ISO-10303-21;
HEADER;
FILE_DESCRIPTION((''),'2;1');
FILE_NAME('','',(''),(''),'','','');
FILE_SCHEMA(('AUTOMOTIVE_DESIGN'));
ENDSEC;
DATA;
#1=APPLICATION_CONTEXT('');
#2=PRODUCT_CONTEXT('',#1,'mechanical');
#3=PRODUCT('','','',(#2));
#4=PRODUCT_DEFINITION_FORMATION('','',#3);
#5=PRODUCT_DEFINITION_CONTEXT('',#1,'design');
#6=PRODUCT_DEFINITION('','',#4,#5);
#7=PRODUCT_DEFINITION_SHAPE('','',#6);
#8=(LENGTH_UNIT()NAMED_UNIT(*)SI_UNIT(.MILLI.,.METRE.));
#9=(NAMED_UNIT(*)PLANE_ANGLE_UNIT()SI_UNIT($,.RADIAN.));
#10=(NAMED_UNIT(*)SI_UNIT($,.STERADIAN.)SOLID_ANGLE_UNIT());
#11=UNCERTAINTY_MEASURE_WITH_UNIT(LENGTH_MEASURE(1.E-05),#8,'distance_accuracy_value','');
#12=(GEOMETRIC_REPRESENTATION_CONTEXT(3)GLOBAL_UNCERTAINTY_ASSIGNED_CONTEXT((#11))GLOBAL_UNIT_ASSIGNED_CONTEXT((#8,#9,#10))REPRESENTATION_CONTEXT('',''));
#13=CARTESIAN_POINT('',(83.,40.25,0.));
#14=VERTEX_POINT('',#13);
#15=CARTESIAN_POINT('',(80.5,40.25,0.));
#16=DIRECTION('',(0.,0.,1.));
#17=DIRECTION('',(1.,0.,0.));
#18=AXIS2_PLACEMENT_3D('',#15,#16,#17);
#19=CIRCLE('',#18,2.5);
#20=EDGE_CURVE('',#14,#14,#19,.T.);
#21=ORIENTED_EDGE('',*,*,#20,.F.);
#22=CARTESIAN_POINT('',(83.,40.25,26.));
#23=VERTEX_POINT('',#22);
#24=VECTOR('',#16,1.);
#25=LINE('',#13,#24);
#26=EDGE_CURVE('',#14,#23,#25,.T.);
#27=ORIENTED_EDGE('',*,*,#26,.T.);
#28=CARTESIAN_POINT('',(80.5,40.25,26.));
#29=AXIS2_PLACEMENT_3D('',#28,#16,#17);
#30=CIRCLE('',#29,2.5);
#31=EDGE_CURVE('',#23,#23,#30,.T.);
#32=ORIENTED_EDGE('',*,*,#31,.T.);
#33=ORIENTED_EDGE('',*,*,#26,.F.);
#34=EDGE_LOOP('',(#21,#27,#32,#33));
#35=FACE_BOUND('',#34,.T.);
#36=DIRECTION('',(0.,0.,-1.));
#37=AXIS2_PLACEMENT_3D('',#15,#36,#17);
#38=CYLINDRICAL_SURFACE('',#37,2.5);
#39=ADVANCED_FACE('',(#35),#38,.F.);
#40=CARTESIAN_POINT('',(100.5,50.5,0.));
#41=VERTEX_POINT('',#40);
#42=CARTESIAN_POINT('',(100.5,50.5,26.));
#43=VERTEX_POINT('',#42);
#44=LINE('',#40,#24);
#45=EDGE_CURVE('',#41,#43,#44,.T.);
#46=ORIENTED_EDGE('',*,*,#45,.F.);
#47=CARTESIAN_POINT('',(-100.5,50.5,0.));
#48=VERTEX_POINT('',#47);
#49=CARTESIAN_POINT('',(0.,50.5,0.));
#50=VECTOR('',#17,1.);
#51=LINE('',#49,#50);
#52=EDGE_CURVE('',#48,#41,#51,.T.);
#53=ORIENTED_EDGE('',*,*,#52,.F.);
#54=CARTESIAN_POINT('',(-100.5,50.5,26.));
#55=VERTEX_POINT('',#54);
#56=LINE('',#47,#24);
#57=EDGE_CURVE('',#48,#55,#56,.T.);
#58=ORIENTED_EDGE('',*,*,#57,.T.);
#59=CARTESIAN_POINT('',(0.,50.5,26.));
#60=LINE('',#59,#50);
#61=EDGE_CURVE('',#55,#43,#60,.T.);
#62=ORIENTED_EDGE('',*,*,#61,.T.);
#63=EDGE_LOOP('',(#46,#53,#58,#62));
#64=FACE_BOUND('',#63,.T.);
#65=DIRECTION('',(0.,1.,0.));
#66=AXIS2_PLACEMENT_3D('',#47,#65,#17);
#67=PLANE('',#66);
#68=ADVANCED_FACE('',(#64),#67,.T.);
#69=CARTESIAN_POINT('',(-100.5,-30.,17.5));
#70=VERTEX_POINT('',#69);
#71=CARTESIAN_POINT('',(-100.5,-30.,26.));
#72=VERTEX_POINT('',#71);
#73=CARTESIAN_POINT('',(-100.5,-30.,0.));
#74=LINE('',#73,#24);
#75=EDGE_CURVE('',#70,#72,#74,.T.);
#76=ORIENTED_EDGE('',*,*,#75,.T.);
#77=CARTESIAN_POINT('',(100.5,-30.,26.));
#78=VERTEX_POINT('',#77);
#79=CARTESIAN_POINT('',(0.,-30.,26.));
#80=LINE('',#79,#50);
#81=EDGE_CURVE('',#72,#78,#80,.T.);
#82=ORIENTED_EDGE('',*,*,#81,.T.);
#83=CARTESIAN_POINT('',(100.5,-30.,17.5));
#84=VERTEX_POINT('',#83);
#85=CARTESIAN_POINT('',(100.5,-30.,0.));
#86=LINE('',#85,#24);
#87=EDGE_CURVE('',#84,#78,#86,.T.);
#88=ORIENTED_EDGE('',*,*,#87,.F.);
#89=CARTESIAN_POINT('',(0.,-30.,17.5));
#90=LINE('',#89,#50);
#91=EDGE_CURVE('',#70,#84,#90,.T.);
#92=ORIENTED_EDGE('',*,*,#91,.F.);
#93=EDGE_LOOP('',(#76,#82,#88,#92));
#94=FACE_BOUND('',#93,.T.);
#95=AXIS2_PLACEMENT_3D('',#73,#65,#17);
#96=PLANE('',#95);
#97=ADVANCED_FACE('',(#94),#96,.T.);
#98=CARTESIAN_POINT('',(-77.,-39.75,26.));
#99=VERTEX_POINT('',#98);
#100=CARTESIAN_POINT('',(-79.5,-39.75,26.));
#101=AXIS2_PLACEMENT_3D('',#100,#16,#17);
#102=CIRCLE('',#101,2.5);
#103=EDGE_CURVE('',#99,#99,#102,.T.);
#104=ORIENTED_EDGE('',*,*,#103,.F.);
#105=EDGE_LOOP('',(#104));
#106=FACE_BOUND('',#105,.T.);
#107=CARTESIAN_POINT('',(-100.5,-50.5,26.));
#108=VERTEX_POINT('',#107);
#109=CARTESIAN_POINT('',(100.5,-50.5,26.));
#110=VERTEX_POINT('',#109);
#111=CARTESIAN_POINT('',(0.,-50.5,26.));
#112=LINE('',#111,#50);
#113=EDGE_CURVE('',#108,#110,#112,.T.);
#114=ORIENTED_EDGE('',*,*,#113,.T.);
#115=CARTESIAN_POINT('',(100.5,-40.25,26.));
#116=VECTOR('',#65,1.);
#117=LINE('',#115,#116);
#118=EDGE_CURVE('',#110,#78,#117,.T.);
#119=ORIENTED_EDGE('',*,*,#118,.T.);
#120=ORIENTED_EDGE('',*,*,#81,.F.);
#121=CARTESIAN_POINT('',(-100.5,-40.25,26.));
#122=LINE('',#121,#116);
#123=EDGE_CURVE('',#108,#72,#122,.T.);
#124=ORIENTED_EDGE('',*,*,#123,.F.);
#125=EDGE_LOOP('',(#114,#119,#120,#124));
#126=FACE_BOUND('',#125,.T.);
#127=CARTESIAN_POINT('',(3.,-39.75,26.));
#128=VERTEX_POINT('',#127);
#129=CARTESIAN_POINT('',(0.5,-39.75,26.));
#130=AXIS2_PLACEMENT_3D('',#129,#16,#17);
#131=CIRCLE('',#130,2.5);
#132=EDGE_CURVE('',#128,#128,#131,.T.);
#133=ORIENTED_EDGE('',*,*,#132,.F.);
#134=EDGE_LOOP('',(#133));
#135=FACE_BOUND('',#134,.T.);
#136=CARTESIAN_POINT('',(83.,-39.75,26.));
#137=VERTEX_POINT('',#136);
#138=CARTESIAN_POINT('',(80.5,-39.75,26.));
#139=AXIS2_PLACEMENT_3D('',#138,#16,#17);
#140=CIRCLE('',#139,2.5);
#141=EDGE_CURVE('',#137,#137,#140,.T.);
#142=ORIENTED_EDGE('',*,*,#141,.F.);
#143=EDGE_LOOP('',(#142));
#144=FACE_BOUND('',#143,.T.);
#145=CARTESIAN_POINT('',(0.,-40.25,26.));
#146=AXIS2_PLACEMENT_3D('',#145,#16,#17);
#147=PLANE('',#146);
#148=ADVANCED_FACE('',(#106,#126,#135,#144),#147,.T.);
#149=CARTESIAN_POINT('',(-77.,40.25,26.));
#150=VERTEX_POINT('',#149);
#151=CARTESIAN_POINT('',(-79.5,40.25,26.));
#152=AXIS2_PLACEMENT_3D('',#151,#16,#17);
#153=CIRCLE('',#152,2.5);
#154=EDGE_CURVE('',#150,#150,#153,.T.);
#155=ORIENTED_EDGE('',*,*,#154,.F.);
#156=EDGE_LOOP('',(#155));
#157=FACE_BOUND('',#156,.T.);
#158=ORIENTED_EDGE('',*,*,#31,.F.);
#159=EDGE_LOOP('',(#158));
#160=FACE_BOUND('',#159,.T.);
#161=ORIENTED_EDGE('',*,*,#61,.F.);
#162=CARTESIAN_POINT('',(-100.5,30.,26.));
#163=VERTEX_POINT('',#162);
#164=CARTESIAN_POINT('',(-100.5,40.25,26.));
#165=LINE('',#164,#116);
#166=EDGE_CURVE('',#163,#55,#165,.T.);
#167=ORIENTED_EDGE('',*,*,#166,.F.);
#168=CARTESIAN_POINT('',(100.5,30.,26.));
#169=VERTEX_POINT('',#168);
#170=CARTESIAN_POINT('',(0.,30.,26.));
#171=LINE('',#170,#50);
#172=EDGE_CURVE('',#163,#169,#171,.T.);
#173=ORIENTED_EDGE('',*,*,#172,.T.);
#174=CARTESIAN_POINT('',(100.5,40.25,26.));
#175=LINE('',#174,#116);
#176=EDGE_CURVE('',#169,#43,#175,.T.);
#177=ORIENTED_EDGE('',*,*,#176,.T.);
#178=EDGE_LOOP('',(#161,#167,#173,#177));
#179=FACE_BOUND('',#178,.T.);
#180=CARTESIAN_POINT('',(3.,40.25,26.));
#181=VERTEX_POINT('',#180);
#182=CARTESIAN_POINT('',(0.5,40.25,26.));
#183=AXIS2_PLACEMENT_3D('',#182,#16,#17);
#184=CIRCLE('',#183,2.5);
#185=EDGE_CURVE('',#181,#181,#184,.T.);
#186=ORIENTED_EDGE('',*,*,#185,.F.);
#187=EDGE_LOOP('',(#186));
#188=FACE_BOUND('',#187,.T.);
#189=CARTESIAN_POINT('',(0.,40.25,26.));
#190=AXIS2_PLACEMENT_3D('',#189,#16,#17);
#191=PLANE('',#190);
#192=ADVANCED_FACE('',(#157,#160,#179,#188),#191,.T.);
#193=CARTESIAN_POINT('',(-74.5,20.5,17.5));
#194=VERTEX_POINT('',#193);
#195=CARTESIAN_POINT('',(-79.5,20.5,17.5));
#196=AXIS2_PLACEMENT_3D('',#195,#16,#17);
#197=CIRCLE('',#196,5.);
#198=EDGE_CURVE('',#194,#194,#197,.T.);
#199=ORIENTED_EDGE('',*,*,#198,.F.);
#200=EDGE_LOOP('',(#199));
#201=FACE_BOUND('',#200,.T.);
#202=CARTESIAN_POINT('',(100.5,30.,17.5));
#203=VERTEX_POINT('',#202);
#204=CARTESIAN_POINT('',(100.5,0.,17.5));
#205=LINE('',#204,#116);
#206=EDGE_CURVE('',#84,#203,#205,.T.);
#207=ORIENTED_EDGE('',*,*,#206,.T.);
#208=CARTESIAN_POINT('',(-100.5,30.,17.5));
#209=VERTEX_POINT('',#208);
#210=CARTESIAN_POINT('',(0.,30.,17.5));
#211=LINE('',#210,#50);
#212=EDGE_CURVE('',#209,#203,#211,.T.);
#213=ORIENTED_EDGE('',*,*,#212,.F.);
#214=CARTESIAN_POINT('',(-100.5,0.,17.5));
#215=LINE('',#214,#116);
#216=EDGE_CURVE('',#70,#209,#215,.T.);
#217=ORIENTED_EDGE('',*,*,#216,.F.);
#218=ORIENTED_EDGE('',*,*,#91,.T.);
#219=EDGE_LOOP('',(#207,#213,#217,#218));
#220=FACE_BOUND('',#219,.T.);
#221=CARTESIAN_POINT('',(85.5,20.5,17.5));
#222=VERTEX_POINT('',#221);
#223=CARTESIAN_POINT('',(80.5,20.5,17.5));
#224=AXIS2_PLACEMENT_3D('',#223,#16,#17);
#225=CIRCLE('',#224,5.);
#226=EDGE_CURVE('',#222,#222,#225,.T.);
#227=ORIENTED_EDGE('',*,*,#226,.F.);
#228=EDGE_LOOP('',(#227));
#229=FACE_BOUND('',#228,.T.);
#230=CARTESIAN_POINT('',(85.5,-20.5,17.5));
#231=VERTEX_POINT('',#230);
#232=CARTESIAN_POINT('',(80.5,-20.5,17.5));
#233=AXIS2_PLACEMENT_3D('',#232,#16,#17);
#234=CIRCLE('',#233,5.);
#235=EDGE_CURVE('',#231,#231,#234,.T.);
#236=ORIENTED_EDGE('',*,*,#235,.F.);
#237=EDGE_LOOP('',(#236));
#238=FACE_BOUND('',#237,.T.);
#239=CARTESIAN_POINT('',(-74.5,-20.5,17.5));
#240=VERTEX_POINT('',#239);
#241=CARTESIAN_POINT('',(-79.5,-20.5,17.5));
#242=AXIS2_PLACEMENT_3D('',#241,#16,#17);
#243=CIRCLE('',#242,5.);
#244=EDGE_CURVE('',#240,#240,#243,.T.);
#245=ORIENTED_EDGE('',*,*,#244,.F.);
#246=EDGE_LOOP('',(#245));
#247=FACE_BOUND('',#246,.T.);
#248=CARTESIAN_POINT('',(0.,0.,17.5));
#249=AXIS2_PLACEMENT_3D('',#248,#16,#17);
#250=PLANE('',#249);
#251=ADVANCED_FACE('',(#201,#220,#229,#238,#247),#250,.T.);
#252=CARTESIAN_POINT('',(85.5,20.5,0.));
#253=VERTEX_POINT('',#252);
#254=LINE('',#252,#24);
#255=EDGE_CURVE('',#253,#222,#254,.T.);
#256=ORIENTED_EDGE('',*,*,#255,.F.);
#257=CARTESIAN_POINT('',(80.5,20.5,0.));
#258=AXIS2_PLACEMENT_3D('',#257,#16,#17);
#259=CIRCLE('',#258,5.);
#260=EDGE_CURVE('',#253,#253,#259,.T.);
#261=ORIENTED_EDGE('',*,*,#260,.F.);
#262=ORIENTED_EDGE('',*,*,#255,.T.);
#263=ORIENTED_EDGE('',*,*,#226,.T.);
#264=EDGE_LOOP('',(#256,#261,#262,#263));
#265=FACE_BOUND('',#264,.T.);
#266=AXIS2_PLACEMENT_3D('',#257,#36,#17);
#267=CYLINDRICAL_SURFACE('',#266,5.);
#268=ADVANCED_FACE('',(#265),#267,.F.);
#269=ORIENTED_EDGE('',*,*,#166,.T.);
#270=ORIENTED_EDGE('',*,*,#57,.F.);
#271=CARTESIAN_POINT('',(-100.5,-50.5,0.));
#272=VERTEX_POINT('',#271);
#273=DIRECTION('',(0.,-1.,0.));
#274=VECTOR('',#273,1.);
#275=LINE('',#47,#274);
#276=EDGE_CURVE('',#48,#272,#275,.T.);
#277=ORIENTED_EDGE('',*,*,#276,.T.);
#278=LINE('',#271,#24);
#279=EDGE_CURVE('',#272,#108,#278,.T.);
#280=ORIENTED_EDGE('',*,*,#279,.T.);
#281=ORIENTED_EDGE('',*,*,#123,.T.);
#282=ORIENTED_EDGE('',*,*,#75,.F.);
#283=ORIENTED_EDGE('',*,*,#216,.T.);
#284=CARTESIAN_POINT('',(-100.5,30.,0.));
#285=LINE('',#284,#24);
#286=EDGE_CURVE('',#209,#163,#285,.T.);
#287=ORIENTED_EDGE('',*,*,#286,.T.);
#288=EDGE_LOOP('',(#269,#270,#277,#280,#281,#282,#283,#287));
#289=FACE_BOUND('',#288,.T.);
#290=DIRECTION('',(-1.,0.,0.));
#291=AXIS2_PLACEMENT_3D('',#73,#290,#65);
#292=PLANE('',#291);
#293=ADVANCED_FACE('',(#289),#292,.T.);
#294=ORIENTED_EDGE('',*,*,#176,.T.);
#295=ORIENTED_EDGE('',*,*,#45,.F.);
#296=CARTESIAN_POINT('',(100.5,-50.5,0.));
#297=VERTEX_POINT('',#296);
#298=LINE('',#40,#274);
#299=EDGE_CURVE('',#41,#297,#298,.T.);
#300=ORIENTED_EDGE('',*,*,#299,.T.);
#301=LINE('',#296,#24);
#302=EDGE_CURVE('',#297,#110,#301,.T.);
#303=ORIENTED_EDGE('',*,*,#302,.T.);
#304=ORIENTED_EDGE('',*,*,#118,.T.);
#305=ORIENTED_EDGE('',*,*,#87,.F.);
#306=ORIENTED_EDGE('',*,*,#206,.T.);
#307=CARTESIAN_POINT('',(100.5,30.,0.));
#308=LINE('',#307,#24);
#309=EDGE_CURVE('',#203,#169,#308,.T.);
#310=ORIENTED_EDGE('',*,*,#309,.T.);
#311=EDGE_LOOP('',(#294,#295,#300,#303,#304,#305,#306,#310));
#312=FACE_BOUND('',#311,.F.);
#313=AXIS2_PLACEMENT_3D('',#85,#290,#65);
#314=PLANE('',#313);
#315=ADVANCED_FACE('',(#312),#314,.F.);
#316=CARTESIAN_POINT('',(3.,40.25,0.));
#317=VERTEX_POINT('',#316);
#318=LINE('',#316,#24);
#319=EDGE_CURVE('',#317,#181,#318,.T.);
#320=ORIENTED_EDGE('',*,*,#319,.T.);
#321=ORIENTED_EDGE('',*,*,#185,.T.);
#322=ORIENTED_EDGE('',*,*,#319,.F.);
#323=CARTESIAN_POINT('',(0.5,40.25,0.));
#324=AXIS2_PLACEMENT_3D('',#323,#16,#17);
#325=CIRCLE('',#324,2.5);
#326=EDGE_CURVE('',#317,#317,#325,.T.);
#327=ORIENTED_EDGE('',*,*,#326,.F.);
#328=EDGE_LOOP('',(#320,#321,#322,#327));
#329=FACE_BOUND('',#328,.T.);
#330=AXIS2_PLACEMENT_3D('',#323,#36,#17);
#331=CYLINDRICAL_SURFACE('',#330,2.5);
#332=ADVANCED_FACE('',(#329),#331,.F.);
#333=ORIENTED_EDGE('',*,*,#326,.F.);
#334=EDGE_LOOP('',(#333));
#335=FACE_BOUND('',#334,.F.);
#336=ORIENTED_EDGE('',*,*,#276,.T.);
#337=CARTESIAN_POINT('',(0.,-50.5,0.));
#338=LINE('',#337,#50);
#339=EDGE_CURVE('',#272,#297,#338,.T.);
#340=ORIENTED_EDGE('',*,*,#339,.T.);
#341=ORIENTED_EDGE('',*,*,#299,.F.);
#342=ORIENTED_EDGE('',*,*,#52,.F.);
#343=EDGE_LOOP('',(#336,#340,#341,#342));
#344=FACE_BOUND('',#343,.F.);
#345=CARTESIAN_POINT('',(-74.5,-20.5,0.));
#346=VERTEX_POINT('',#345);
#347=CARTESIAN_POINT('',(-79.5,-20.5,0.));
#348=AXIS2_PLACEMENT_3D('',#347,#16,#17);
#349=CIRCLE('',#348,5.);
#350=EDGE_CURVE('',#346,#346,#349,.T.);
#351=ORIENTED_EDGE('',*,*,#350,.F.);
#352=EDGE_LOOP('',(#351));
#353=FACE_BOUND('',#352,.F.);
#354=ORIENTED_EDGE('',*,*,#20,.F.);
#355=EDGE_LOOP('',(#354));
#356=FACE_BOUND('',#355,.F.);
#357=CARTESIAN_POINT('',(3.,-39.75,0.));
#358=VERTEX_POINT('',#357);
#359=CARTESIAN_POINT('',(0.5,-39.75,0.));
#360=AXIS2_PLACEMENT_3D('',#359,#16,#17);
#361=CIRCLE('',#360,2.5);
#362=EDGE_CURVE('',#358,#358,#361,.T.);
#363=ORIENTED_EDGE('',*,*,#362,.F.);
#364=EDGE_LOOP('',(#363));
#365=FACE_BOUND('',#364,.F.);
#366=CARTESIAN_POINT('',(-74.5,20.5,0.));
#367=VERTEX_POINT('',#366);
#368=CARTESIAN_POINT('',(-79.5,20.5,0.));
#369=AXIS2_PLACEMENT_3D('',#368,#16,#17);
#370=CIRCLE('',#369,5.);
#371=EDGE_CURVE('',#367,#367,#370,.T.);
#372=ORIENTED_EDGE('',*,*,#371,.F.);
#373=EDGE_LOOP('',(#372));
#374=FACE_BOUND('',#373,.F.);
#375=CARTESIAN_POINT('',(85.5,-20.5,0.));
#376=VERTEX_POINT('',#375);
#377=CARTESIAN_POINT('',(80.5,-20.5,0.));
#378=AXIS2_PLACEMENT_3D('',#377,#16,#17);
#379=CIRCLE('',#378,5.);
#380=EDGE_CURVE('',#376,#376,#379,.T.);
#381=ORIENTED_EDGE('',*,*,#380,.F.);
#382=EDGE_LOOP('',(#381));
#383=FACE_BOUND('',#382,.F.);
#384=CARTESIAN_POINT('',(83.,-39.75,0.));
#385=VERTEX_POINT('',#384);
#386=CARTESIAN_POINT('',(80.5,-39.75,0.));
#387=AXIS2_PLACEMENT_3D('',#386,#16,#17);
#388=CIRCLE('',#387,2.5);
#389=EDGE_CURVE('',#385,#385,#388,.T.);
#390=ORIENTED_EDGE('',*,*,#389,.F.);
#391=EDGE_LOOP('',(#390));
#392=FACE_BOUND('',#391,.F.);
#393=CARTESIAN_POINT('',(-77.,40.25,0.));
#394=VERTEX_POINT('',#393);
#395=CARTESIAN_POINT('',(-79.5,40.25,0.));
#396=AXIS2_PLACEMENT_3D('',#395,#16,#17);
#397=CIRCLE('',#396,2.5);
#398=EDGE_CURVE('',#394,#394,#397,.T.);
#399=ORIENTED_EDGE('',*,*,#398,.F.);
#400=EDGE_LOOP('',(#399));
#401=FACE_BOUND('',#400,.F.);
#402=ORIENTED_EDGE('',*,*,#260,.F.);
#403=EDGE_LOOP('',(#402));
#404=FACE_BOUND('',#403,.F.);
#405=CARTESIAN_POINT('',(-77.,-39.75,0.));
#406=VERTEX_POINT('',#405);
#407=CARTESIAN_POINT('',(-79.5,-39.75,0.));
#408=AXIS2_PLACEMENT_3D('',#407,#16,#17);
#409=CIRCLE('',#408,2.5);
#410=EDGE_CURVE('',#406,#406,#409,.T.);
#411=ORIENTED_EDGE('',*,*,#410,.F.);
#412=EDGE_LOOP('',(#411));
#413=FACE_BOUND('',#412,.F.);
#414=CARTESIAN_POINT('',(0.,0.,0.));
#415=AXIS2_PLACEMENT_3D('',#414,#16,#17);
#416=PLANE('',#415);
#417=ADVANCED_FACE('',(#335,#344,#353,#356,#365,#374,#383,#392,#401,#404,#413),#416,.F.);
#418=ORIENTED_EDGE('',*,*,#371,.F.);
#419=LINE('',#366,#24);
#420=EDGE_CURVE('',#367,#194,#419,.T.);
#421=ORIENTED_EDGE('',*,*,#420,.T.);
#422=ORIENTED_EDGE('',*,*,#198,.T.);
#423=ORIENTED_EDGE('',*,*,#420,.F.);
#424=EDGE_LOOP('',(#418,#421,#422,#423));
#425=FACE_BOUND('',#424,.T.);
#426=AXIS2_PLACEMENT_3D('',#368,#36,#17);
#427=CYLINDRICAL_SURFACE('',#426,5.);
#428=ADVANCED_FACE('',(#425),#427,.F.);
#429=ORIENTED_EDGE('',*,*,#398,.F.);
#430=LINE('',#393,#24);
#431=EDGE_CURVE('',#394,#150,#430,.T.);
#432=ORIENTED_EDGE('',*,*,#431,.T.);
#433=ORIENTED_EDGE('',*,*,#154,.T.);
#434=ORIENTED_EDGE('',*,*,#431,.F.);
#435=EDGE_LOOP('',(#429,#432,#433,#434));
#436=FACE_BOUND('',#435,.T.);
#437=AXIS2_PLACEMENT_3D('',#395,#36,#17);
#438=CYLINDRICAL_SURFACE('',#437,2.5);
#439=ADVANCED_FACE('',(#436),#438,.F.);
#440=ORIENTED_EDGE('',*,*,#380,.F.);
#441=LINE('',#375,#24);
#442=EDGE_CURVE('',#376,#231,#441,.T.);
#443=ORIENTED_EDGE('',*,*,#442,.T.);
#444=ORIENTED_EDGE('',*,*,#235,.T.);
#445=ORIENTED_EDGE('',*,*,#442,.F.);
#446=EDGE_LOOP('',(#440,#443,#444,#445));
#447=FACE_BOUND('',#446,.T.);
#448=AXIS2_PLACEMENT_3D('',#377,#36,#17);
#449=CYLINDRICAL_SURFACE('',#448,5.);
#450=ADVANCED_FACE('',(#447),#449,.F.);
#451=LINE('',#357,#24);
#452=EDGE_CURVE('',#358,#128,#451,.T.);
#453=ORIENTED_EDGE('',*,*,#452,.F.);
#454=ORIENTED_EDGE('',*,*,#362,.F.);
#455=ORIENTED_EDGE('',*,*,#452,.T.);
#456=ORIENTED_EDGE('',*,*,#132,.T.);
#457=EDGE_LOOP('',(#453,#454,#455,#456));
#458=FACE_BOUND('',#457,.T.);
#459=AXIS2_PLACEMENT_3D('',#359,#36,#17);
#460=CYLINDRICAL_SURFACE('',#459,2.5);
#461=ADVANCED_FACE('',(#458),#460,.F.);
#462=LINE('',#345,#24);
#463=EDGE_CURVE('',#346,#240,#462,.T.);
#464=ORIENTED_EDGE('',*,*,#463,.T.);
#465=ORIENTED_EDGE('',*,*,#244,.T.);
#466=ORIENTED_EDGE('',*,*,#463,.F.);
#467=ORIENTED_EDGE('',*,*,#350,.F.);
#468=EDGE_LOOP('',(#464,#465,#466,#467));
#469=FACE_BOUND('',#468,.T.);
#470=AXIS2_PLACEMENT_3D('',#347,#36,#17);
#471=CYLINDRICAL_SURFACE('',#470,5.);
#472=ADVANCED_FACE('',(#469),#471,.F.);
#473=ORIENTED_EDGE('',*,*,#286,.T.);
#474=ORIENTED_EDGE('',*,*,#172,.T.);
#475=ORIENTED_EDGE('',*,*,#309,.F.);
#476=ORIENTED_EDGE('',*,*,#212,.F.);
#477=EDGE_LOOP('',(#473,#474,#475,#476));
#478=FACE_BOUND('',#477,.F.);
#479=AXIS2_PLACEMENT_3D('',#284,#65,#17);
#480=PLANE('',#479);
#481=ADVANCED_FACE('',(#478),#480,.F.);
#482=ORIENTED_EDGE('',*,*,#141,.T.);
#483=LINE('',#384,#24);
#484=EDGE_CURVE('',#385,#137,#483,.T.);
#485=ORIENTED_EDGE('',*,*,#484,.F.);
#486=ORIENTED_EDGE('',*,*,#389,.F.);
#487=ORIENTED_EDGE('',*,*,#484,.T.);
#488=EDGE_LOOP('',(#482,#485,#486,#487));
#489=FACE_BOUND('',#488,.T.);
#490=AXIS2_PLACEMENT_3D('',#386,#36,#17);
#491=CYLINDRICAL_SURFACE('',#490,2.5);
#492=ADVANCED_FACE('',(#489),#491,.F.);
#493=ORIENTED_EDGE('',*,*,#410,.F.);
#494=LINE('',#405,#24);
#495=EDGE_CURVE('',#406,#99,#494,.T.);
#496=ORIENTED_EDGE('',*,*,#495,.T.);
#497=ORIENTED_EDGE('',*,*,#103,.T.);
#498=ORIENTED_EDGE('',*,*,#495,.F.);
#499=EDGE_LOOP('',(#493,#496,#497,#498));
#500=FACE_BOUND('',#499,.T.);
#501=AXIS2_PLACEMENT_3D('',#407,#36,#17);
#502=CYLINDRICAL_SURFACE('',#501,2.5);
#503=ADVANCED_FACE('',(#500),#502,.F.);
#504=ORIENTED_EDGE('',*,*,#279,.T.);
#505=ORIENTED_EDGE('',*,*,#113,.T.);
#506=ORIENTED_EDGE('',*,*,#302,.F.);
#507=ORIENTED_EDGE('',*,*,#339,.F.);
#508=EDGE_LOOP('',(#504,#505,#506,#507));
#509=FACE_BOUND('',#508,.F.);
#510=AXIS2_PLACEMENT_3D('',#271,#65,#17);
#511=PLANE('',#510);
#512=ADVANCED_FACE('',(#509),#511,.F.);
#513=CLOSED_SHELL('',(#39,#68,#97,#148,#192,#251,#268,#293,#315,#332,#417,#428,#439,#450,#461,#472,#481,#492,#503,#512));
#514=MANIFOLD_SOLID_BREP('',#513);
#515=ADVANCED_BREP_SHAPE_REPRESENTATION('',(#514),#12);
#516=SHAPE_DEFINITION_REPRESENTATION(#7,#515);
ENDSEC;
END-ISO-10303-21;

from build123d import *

# Parameters (mm, degrees)
F0_W     = 201
F0_H     = 20.5
F0_R     = 2.5
F1_DEPTH = 26
F0_H_2   = 60
F0_R_2   = 5
F2_DEPTH = 17.5


with BuildPart() as f1:
    # F0 (on Top) → F1 (new body)
    with BuildSketch(Plane.XY):
        with Locations((0, 40.25)):
            Rectangle(F0_W, F0_H)
        with Locations((-79.5, 40.25)):
            Circle(F0_R, mode=Mode.SUBTRACT)
        with Locations((0.5, 40.25)):
            Circle(F0_R, mode=Mode.SUBTRACT)
        with Locations((80.5, 40.25)):
            Circle(F0_R, mode=Mode.SUBTRACT)
        with Locations((0, -40.25)):
            Rectangle(F0_W, F0_H)
        with Locations((-79.5, -39.75)):
            Circle(F0_R, mode=Mode.SUBTRACT)
        with Locations((0.5, -39.75)):
            Circle(F0_R, mode=Mode.SUBTRACT)
        with Locations((80.5, -39.75)):
            Circle(F0_R, mode=Mode.SUBTRACT)
    extrude(amount=F1_DEPTH)

    # F0 (on Top) → F2 (join)
    with BuildSketch(Plane.XY):
        Rectangle(F0_W, F0_H_2)
        with Locations((-79.5, -20.5)):
            Circle(F0_R_2, mode=Mode.SUBTRACT)
        with Locations((80.5, -20.5)):
            Circle(F0_R_2, mode=Mode.SUBTRACT)
        with Locations((-79.5, 20.5)):
            Circle(F0_R_2, mode=Mode.SUBTRACT)
        with Locations((80.5, 20.5)):
            Circle(F0_R_2, mode=Mode.SUBTRACT)
    extrude(amount=F2_DEPTH)


solid = f1.part
